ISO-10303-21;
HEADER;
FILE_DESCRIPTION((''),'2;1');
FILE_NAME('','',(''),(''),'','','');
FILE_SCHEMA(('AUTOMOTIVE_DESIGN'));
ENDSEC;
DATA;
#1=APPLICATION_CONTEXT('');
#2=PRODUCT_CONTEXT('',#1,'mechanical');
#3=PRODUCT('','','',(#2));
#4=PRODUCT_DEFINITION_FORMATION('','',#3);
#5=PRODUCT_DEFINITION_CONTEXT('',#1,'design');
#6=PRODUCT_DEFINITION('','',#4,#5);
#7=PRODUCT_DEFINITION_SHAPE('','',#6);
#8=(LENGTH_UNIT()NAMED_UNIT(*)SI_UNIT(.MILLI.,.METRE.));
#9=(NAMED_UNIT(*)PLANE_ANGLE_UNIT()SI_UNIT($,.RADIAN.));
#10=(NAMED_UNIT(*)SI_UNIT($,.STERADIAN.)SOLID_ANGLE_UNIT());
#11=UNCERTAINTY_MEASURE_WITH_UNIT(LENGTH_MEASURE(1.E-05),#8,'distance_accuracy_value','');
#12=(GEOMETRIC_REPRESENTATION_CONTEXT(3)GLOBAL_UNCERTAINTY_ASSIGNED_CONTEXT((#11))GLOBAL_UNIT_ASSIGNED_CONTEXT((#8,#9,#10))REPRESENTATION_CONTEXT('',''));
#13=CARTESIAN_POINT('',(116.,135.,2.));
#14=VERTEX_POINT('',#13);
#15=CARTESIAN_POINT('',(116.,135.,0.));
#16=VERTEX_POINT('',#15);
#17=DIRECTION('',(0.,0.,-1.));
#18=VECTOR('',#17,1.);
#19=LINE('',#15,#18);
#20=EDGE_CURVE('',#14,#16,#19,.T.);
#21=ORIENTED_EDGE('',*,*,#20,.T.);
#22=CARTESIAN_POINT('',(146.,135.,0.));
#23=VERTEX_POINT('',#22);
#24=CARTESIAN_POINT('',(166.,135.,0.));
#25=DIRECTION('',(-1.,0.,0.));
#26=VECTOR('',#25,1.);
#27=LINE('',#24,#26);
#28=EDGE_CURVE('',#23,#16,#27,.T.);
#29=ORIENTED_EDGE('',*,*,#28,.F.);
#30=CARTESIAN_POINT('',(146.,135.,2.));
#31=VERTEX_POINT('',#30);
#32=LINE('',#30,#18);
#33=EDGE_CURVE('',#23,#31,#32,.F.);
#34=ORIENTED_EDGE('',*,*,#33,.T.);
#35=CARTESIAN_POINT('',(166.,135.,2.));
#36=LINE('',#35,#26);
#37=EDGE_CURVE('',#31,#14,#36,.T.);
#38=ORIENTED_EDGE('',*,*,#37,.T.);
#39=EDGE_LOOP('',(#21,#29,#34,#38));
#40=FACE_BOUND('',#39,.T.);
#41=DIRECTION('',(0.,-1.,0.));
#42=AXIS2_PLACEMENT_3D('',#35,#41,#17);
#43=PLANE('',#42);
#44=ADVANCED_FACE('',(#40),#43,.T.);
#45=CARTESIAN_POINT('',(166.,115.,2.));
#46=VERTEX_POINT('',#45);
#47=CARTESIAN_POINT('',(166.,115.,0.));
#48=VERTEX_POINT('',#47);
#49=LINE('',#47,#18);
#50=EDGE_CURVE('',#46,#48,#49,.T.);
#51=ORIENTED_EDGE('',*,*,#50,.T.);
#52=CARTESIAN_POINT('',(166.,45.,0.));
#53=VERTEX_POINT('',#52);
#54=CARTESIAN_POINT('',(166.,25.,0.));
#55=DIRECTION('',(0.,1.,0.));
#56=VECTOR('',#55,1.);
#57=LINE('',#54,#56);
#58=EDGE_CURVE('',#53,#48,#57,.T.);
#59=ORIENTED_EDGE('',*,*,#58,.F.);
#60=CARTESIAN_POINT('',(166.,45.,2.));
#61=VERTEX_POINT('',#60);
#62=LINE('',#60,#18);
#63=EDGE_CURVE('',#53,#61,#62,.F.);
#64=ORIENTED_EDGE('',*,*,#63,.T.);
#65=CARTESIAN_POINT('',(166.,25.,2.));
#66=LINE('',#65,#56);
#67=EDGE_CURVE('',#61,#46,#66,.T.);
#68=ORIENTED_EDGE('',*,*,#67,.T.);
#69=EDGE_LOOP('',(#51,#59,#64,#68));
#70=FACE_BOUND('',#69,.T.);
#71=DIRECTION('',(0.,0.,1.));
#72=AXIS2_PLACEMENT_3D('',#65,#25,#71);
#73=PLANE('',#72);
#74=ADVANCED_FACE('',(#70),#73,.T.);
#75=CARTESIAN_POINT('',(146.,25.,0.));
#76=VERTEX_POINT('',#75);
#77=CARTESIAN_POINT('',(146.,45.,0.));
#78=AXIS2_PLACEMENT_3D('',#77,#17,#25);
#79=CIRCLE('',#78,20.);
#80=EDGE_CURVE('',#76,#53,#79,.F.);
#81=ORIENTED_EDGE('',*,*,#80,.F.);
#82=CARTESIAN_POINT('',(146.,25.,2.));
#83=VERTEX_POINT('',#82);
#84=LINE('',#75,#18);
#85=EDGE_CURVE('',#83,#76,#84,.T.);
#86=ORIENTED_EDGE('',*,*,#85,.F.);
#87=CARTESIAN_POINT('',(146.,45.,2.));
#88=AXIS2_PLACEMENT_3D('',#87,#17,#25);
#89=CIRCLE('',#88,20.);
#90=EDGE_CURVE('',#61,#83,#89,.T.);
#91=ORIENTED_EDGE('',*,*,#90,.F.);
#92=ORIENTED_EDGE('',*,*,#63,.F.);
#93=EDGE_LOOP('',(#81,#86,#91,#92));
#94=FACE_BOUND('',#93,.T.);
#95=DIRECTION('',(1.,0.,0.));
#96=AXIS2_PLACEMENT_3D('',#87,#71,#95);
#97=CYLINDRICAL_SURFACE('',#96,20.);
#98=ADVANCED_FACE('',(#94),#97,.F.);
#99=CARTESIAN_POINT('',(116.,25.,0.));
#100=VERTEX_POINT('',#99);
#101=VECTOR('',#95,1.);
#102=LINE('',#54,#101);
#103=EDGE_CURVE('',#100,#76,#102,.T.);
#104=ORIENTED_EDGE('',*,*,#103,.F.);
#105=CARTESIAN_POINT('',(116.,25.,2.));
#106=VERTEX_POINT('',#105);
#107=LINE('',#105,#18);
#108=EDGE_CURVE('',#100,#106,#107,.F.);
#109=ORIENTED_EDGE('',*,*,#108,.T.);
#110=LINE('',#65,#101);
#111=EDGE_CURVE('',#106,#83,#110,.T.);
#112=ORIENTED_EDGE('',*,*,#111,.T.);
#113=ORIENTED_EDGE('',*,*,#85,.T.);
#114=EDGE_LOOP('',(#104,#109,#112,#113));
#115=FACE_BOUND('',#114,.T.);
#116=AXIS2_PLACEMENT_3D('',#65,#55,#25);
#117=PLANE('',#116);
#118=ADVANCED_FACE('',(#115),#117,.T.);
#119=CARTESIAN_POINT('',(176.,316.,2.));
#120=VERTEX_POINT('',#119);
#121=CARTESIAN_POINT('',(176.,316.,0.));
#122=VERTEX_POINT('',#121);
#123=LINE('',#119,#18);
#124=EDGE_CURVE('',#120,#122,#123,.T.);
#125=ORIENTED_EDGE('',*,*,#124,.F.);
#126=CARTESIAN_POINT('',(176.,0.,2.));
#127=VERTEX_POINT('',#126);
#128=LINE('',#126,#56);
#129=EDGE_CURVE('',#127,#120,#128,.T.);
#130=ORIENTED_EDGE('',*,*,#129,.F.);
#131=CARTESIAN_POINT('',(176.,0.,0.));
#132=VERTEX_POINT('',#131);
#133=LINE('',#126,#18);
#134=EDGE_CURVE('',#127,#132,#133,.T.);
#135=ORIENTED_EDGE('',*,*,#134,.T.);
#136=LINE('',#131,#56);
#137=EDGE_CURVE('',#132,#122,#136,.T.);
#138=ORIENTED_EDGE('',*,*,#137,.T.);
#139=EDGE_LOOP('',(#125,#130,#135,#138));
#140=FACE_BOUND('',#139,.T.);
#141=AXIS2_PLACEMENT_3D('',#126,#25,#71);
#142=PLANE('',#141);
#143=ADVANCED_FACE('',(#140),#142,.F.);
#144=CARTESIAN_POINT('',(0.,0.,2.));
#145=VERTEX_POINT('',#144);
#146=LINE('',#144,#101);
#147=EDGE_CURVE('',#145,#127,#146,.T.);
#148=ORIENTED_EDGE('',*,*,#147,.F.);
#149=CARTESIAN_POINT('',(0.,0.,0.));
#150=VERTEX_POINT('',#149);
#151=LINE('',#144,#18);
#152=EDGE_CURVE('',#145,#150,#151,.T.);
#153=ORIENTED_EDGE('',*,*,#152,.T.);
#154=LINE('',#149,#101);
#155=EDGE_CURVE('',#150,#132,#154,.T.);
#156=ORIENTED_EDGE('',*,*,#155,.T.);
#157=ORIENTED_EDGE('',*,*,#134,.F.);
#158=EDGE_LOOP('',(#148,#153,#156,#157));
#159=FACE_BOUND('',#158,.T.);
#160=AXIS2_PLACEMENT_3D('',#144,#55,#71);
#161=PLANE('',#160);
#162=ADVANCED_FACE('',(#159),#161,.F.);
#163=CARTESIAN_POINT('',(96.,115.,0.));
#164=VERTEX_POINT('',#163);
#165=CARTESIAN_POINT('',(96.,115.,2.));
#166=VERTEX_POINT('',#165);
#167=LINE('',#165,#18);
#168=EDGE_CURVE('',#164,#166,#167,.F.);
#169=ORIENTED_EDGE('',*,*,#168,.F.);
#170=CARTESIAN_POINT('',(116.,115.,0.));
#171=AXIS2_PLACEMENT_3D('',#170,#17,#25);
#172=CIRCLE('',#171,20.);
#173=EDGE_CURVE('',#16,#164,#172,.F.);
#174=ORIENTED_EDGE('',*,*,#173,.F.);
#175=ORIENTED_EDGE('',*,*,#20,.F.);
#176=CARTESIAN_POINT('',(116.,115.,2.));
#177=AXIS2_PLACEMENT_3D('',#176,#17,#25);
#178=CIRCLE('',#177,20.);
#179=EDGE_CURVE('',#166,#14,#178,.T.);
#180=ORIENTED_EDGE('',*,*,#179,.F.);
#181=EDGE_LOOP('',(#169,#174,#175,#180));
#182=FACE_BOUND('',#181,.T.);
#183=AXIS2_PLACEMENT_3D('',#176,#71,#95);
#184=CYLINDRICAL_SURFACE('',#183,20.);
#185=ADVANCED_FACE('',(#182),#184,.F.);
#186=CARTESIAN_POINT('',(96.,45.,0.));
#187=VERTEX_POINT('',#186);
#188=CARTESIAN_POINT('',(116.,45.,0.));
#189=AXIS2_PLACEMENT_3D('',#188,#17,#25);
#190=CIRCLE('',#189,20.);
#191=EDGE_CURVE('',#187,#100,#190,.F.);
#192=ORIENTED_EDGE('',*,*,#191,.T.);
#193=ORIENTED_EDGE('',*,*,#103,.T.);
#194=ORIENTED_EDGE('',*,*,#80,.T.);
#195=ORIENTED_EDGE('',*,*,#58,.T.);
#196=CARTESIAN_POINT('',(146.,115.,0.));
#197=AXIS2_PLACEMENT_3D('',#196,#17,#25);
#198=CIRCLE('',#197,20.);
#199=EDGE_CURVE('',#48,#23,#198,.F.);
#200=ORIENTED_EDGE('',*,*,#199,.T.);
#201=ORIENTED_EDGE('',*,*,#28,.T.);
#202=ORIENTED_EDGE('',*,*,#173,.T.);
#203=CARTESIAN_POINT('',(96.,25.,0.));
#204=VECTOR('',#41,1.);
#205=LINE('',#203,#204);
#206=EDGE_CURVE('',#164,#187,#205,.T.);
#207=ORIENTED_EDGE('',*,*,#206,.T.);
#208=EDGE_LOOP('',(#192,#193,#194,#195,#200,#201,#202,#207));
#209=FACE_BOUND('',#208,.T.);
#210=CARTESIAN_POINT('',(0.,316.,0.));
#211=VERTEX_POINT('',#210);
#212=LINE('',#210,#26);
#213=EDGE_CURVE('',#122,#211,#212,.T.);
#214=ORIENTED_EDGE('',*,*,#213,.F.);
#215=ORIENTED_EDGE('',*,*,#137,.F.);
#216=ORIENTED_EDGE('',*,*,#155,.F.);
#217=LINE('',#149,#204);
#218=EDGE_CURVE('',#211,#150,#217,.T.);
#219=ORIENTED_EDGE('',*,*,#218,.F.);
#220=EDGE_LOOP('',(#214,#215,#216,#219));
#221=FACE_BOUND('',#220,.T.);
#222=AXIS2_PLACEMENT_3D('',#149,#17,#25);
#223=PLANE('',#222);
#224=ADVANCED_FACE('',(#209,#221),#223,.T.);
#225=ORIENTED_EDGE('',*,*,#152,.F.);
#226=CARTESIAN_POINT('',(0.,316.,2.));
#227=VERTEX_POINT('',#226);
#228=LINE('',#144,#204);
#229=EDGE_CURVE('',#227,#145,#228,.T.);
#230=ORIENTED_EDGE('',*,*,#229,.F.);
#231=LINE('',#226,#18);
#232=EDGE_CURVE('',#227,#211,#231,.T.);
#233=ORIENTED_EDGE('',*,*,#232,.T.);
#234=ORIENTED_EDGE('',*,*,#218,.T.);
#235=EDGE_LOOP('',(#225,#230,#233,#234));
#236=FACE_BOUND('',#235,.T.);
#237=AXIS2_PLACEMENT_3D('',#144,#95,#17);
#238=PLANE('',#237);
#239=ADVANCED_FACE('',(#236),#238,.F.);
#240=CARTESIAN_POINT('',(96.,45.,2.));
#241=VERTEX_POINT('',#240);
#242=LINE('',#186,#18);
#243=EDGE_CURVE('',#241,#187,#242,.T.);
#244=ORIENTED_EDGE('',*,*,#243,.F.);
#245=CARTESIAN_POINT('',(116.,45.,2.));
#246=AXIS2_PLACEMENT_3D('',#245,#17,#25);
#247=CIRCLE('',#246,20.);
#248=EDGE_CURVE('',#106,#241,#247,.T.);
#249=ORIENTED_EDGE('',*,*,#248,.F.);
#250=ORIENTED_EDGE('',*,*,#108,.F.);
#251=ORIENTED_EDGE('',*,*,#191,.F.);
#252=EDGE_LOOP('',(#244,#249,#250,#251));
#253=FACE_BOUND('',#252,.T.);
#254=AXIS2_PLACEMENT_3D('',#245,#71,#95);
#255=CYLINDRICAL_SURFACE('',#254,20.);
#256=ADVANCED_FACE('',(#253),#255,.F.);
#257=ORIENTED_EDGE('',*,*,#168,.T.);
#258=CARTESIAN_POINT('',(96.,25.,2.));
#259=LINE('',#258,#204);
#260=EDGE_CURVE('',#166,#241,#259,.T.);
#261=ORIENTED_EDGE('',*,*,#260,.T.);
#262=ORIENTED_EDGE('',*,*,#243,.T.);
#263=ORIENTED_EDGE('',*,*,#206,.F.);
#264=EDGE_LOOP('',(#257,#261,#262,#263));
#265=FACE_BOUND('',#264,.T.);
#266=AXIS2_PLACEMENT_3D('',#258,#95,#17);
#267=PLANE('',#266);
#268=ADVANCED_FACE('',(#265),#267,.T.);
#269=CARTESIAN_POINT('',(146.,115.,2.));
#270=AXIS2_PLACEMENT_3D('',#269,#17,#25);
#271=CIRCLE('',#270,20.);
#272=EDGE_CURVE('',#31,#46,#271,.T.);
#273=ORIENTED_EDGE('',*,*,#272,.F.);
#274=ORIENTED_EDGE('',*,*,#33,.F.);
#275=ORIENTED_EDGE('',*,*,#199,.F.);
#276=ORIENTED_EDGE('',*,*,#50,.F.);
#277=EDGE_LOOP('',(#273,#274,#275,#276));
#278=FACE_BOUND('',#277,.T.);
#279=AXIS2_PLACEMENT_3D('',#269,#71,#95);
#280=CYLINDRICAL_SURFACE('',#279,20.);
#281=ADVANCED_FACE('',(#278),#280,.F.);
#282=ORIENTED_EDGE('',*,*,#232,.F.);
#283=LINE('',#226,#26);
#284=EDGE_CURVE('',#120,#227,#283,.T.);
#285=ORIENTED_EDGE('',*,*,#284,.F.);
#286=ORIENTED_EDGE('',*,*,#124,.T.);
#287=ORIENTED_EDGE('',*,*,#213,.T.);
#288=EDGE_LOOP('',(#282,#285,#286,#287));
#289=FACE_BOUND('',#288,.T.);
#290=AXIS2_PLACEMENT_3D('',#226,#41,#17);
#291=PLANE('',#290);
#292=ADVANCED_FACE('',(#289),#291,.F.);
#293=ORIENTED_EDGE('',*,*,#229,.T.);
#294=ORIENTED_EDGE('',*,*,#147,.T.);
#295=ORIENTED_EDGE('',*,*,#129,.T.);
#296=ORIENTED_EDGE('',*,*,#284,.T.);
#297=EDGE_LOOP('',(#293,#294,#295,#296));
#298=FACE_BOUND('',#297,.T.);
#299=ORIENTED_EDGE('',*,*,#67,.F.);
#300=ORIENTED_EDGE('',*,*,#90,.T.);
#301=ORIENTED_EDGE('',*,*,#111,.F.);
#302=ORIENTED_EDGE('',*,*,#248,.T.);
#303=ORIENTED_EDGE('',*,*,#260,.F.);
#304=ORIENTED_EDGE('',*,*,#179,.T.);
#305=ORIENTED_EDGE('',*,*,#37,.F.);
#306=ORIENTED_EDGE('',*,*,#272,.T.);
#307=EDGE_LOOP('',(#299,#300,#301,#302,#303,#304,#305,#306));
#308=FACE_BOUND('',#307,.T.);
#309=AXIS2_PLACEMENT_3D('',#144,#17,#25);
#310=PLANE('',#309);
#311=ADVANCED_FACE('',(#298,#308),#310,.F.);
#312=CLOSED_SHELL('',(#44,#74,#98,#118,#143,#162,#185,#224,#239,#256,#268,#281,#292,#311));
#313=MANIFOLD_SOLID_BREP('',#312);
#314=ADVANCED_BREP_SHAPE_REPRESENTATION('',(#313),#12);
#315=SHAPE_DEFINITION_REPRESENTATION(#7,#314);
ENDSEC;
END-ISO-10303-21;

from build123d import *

# Parameters (mm, degrees)
ESQUISSE1_W        = 176
ESQUISSE1_H        = 316
ESQUISSE1_W_2      = 70
ESQUISSE1_H_2      = 110
BOSS_EXTRU_1_DEPTH = 2
CONG_1_R           = 20


with BuildPart() as part:
    # Esquisse1 → Boss.-Extru.1 (new body)
    with BuildSketch(Plane.XY):
        with Locations((88, 158)):
            Rectangle(ESQUISSE1_W, ESQUISSE1_H)
        with Locations((131, 80)):
            Rectangle(ESQUISSE1_W_2, ESQUISSE1_H_2, mode=Mode.SUBTRACT)
    extrude(amount=BOSS_EXTRU_1_DEPTH)

    # Congé1
    cong_1_edges = [part.edges().sort_by_distance(p)[0] for p in [
        (166, 25, 1),
        (166, 135, 1),
        (96, 135, 1),
        (96, 25, 1),
    ]]
    fillet(cong_1_edges, radius=CONG_1_R)


solid = part.part
